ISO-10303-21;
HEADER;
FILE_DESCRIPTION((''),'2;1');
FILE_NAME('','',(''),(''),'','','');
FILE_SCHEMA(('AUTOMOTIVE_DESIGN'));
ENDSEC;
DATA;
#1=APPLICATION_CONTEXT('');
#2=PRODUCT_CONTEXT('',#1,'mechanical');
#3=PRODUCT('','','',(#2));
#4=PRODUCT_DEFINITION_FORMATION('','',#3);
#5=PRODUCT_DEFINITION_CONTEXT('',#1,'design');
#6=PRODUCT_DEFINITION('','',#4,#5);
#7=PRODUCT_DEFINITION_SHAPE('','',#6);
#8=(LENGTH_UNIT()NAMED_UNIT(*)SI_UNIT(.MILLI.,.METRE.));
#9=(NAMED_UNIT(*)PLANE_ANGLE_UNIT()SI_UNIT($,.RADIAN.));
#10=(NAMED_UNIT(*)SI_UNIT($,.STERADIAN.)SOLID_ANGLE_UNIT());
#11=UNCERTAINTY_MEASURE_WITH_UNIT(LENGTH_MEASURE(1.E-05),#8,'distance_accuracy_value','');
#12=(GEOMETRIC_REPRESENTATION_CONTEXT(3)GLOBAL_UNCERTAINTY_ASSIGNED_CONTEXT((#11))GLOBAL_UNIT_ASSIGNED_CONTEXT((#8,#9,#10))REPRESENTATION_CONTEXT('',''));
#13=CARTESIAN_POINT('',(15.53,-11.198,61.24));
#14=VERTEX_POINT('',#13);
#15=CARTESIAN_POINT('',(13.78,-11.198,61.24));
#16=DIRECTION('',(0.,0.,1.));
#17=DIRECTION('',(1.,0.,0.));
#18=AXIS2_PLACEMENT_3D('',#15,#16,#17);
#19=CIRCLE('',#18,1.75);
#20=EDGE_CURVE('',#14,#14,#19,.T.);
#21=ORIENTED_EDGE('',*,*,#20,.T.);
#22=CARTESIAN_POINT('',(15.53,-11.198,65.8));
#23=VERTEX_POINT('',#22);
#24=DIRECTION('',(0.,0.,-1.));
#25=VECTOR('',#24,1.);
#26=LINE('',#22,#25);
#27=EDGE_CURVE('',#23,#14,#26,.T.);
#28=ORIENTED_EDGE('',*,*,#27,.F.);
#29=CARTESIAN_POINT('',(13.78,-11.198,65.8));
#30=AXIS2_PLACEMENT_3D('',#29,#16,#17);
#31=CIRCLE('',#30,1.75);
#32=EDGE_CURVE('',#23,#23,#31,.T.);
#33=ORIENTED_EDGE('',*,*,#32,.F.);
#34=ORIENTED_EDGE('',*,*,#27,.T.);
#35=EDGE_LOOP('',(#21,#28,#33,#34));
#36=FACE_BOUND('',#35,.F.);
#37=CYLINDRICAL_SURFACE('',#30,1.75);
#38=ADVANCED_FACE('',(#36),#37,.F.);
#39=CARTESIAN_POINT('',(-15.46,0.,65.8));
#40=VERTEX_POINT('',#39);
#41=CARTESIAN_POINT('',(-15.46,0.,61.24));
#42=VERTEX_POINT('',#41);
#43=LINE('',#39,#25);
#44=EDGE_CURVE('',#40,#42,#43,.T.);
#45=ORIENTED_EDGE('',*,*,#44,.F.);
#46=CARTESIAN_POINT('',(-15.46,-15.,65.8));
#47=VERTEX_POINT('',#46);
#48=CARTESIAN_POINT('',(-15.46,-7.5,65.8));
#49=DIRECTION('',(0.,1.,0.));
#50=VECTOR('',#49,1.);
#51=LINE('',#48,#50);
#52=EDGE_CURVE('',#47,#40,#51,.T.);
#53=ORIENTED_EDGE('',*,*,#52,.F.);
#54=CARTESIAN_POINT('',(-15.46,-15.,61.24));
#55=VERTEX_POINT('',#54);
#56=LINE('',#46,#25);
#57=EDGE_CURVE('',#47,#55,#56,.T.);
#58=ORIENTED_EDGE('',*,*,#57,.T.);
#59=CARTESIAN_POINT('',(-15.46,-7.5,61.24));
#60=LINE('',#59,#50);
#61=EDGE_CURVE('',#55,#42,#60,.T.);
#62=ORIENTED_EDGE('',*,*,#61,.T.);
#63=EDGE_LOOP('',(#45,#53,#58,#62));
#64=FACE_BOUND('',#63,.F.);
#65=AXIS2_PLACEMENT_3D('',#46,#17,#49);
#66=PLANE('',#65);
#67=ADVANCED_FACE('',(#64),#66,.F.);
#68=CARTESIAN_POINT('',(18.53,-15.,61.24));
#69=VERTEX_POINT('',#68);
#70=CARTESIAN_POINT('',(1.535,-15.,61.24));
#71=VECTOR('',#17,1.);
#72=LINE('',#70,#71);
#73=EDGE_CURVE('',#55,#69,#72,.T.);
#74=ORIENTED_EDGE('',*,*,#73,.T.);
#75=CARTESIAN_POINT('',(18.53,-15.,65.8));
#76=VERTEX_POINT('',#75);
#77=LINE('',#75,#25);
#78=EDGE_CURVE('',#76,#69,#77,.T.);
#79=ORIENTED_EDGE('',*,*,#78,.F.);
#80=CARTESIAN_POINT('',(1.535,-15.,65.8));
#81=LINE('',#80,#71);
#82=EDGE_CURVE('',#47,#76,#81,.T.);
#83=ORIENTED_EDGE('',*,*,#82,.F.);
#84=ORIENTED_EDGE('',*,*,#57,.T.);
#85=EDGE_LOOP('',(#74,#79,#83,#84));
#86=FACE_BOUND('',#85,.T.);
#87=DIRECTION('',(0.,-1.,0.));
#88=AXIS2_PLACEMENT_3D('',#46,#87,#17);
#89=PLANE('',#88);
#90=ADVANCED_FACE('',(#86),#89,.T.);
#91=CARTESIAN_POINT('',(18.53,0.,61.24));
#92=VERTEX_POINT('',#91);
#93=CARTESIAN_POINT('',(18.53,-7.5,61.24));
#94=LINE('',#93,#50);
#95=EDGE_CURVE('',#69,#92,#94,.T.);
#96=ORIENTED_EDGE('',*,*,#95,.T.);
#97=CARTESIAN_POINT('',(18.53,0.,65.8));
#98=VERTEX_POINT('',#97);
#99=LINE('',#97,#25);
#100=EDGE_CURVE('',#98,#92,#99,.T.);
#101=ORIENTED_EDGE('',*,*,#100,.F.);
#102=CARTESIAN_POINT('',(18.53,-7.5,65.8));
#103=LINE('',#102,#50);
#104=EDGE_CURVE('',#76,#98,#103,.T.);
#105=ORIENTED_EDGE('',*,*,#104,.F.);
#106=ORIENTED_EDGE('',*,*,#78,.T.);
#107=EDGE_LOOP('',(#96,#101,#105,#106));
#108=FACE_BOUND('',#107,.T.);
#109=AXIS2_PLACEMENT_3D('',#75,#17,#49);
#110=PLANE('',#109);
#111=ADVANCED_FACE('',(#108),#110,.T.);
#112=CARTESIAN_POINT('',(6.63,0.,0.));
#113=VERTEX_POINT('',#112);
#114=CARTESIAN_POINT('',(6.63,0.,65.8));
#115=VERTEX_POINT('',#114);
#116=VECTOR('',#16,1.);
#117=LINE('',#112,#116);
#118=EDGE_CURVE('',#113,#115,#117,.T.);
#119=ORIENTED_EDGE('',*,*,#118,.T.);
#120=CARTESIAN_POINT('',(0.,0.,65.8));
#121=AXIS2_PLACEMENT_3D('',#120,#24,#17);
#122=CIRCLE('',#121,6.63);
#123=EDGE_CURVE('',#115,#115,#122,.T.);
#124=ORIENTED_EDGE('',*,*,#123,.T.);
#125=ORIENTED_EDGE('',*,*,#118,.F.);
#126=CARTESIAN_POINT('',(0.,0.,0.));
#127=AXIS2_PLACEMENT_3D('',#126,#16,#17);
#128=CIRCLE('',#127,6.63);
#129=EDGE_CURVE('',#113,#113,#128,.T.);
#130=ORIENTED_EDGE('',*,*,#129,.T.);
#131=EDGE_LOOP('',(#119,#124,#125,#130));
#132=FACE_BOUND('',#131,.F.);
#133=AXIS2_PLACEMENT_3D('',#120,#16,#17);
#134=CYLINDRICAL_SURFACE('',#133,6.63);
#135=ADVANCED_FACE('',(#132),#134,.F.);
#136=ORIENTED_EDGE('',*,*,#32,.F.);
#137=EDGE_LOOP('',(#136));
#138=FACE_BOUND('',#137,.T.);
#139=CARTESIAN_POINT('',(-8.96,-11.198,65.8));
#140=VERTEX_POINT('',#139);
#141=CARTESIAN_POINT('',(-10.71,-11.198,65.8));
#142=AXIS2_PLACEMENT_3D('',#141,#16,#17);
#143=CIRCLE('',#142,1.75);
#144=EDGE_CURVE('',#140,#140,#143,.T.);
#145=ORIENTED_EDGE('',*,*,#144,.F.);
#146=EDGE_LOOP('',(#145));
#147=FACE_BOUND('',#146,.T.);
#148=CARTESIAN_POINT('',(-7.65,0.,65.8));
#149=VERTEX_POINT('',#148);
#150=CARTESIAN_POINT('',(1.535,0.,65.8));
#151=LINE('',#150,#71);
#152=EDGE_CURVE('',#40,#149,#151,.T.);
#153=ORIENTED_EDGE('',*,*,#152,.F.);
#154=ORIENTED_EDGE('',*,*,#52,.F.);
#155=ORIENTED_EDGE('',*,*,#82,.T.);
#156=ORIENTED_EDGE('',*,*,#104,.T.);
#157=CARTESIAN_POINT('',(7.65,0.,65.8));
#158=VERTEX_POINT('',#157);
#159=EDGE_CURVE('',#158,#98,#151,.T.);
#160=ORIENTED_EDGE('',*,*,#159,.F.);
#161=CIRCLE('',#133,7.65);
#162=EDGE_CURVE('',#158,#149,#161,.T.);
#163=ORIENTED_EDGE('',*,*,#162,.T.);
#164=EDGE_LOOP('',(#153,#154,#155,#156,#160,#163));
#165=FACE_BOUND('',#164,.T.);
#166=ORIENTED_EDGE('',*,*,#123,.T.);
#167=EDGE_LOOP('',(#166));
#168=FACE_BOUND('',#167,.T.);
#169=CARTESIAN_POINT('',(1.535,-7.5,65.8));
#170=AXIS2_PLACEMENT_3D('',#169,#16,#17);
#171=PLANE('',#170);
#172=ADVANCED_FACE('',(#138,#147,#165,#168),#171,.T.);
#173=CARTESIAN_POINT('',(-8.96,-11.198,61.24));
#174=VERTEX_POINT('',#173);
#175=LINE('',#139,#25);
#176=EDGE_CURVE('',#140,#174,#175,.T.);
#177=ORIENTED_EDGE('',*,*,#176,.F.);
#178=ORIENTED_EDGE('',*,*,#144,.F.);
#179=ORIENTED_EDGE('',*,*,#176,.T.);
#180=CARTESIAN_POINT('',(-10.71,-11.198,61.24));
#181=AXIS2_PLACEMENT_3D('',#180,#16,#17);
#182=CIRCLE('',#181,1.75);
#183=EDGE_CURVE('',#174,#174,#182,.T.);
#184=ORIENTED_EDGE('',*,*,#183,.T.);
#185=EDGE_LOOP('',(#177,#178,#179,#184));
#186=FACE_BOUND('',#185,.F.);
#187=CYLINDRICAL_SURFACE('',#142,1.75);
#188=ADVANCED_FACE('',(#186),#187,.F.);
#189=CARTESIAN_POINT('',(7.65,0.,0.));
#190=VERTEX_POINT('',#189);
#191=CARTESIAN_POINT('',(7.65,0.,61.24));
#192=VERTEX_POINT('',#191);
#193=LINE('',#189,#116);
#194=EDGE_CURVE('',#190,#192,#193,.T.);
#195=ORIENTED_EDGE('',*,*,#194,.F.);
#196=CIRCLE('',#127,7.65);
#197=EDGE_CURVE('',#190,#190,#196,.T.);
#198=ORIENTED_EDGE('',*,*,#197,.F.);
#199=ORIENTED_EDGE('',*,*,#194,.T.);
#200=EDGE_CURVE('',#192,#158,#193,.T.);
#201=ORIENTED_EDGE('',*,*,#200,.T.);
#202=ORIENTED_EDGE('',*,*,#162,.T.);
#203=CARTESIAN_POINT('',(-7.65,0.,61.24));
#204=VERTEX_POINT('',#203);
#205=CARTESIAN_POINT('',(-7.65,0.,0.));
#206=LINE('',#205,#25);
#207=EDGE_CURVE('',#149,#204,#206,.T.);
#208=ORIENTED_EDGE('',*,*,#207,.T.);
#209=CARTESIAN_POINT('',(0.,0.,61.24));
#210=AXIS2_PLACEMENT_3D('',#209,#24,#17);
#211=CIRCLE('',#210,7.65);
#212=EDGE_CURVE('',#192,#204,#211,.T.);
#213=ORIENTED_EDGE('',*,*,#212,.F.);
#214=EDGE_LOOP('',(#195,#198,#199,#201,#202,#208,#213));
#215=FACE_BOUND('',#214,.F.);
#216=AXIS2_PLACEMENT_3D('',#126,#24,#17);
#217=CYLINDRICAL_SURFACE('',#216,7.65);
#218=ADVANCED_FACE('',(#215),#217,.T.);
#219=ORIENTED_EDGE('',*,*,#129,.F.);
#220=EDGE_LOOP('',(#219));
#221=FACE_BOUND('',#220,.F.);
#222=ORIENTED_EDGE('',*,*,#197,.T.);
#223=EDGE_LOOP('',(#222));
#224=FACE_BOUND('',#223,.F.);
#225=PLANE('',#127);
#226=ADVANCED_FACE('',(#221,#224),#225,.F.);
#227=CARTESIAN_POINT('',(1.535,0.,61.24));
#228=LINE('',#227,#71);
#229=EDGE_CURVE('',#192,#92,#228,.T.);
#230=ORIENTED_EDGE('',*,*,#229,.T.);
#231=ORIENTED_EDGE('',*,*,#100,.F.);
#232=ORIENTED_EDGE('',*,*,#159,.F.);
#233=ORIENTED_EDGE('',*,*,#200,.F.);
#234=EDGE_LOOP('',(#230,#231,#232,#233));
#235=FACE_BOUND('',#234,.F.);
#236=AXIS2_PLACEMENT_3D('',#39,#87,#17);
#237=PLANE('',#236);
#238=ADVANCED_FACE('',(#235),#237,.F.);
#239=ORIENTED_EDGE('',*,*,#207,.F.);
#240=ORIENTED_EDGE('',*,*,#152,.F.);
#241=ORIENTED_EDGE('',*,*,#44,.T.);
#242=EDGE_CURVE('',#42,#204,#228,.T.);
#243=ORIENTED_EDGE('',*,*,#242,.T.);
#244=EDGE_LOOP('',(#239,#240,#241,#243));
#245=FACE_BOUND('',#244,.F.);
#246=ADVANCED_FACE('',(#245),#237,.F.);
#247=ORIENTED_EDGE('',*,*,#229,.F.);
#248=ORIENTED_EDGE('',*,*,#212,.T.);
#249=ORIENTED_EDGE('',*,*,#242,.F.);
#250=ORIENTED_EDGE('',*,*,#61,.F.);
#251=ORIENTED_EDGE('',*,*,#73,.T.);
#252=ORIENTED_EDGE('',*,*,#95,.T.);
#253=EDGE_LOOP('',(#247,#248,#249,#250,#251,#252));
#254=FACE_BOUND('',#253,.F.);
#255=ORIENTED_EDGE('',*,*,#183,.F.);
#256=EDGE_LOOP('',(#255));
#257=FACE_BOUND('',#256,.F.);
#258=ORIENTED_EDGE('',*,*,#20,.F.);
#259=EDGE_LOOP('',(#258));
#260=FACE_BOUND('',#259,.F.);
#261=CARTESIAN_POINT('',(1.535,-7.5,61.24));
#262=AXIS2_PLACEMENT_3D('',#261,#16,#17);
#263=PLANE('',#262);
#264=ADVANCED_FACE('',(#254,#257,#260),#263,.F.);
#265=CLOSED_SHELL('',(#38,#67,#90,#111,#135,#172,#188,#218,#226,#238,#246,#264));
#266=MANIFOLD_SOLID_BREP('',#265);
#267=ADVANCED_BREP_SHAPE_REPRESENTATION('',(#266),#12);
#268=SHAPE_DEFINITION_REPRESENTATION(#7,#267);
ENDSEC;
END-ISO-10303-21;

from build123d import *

# Parameters (mm, degrees)
F0_R     = 7.65
F1_DEPTH = 65.8
F2_R     = 6.63
F3_DEPTH = 65.801
F4_W     = 33.99
F4_H     = 15
F5_DEPTH = 4.56
F6_R     = 6.63
F7_DEPTH = 65.801
F8_R     = 1.75
F9_DEPTH = 65.801


with BuildPart() as f1:
    # F0 (on Top) → F1 (new body)
    with BuildSketch(Plane.XY):
        Circle(F0_R)
    extrude(amount=F1_DEPTH)

    # F2 (on face) → F3 (cut, through all)
    with BuildSketch(Plane.XY.offset(65.8)):
        Circle(F2_R)
    extrude(amount=-F3_DEPTH, mode=Mode.SUBTRACT)

    # F4 (on face) → F5 (join)
    with BuildSketch(Plane.XY.offset(65.8)):
        with Locations((1.535, -7.5)):
            Rectangle(F4_W, F4_H)
    extrude(amount=-F5_DEPTH)

    # F6 (on face) → F7 (cut, through all)
    with BuildSketch(Plane.XY.offset(65.8)):
        Circle(F6_R)
    extrude(amount=-F7_DEPTH, mode=Mode.SUBTRACT)

    # F8 (on face) → F9 (cut, through all)
    with BuildSketch(Plane.XY.offset(65.8)):
        with Locations((-10.71, -11.198)):
            Circle(F8_R)
        with Locations((13.78, -11.198)):
            Circle(F8_R)
    extrude(amount=-F9_DEPTH, mode=Mode.SUBTRACT)


solid = f1.part
